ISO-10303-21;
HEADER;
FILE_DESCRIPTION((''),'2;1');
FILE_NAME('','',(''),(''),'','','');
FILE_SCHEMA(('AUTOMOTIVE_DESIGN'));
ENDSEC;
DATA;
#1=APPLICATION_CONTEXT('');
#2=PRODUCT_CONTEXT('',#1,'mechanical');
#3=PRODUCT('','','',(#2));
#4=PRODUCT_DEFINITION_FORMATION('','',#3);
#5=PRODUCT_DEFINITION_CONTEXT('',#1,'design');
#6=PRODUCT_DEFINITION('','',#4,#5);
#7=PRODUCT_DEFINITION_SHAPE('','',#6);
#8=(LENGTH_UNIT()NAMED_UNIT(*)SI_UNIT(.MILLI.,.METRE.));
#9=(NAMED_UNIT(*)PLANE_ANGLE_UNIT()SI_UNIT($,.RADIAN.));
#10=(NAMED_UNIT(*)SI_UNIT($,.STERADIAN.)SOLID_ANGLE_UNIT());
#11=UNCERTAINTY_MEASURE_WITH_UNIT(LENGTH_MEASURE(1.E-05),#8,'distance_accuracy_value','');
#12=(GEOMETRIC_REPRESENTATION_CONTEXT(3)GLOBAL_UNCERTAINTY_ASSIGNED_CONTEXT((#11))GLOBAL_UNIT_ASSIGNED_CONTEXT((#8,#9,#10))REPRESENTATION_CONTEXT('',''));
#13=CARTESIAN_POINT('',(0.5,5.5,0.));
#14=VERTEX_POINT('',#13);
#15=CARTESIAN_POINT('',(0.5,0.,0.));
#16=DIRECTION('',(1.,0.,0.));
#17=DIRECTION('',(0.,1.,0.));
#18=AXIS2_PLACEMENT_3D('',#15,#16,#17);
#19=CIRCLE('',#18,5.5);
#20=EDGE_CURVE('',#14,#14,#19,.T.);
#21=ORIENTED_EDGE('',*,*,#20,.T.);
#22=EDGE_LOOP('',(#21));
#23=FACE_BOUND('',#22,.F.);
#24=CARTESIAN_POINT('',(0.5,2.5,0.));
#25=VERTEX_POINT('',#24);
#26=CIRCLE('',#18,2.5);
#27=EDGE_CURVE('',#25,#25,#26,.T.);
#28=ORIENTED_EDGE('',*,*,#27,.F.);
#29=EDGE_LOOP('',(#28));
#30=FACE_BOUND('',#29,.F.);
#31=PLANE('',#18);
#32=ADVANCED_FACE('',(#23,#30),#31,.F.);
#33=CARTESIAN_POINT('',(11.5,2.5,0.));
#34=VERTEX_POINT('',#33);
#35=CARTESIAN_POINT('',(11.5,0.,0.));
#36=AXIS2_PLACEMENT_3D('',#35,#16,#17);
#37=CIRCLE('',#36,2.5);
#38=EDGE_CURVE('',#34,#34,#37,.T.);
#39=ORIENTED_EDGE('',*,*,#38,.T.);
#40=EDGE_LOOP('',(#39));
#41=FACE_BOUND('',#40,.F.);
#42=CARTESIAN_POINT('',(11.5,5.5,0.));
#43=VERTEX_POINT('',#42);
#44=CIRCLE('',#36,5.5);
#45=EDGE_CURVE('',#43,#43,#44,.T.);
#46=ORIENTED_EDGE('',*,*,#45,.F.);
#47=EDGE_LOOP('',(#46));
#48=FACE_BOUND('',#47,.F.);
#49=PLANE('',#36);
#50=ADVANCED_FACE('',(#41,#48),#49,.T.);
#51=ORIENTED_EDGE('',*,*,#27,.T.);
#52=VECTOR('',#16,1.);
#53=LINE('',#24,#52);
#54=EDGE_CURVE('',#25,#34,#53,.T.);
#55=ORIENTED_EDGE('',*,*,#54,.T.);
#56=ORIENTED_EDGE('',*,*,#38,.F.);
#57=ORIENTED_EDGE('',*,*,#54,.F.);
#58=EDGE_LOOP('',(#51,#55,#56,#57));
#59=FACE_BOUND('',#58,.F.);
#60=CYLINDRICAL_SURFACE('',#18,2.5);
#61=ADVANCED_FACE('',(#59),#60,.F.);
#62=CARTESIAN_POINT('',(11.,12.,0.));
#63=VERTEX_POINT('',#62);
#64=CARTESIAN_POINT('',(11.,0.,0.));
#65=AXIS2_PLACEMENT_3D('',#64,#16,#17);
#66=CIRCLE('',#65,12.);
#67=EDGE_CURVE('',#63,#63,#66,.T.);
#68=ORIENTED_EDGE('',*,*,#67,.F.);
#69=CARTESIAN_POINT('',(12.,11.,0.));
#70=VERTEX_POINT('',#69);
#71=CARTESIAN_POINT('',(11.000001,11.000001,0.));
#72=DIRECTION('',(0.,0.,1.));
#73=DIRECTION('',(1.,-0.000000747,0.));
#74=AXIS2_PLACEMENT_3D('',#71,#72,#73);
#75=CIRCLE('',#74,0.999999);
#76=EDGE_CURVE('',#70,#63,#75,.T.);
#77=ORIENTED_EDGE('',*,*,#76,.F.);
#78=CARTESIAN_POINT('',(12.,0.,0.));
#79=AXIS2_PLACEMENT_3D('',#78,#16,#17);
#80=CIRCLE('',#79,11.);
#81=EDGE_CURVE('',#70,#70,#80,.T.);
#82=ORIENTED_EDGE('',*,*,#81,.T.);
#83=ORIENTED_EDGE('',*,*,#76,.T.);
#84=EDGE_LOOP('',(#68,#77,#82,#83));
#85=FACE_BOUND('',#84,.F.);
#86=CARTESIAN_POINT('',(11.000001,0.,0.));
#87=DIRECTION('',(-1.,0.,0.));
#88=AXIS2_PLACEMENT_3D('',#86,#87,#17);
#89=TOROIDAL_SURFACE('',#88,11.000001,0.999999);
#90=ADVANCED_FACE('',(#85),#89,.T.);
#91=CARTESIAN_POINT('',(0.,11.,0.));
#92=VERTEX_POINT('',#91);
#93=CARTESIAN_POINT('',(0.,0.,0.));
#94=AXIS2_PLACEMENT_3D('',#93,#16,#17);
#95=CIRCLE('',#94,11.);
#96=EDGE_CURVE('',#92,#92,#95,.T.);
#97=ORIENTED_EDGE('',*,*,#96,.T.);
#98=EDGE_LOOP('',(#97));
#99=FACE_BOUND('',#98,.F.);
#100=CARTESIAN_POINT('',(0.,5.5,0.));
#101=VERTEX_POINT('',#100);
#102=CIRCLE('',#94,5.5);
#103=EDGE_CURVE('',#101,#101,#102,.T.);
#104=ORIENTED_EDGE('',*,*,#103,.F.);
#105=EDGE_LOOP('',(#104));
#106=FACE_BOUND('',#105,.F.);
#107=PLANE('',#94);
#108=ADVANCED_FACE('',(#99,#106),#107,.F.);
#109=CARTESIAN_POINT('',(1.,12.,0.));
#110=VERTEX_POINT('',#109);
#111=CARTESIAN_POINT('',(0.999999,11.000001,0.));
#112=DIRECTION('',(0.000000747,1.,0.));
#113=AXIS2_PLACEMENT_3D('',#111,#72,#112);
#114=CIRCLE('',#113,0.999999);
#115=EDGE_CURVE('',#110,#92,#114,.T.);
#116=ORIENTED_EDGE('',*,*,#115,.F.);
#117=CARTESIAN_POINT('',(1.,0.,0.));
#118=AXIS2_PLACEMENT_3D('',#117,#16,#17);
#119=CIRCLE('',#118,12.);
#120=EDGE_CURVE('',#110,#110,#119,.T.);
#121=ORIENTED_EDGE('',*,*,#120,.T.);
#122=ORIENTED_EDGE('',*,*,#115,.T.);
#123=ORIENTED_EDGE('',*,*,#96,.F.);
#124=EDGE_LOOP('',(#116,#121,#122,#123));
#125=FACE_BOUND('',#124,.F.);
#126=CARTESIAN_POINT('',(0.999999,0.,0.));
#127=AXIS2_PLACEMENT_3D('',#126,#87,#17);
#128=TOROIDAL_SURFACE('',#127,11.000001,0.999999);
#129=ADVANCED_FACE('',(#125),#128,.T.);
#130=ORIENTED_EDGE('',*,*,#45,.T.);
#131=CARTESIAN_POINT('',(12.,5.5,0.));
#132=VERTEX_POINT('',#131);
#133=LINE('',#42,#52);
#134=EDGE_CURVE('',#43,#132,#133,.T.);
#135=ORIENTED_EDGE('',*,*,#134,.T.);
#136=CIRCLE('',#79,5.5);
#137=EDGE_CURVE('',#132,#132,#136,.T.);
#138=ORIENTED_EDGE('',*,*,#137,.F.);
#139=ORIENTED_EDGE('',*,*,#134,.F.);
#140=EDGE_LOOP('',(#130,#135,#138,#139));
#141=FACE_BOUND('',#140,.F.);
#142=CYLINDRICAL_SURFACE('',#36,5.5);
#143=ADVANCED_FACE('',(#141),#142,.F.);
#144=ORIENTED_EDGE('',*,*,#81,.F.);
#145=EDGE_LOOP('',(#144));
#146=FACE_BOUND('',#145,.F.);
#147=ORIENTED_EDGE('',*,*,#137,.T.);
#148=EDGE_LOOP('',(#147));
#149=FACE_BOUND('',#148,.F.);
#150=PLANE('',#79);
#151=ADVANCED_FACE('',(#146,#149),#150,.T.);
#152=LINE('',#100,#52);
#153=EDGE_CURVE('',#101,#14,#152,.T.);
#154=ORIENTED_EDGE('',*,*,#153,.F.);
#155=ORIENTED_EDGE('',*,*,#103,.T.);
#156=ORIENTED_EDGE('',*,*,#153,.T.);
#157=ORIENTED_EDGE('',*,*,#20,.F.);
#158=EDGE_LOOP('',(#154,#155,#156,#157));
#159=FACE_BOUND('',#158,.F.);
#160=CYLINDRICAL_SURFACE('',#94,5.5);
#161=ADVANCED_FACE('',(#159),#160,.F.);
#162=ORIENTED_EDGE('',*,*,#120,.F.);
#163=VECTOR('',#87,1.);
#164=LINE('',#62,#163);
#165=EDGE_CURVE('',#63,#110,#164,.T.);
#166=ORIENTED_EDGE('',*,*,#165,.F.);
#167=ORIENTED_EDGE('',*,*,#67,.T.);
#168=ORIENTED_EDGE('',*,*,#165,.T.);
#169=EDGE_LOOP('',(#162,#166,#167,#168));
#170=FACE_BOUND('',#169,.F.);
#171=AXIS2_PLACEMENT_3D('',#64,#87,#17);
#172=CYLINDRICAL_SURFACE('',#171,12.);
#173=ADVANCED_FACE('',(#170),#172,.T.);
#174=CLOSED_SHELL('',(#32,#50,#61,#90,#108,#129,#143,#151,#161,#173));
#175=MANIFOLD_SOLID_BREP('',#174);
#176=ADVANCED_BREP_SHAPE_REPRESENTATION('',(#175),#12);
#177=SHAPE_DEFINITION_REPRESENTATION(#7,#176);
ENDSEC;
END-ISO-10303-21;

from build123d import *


with BuildPart() as f1:
    # F0 (on Top) → F1 (revolve)
    with BuildSketch(Plane.XY):
        with BuildLine():
            Line((0, 11), (0, 5.5))
            Line((0, 5.5), (0.5, 5.5))
            Line((0.5, 5.5), (0.5, 2.5))
            Line((0.5, 2.5), (11.5, 2.5))
            Line((11.5, 2.5), (11.5, 5.5))
            Line((11.5, 5.5), (12, 5.5))
            Line((12, 5.5), (12, 11))
            ThreePointArc((12, 11), (11.707107, 11.707107), (11, 12))
            Line((11, 12), (1, 12))
            ThreePointArc((1, 12), (0.292893, 11.707107), (0, 11))
        make_face()
    revolve(axis=Axis((6, 0, 0), (1, 0, 0)))


solid = f1.part
